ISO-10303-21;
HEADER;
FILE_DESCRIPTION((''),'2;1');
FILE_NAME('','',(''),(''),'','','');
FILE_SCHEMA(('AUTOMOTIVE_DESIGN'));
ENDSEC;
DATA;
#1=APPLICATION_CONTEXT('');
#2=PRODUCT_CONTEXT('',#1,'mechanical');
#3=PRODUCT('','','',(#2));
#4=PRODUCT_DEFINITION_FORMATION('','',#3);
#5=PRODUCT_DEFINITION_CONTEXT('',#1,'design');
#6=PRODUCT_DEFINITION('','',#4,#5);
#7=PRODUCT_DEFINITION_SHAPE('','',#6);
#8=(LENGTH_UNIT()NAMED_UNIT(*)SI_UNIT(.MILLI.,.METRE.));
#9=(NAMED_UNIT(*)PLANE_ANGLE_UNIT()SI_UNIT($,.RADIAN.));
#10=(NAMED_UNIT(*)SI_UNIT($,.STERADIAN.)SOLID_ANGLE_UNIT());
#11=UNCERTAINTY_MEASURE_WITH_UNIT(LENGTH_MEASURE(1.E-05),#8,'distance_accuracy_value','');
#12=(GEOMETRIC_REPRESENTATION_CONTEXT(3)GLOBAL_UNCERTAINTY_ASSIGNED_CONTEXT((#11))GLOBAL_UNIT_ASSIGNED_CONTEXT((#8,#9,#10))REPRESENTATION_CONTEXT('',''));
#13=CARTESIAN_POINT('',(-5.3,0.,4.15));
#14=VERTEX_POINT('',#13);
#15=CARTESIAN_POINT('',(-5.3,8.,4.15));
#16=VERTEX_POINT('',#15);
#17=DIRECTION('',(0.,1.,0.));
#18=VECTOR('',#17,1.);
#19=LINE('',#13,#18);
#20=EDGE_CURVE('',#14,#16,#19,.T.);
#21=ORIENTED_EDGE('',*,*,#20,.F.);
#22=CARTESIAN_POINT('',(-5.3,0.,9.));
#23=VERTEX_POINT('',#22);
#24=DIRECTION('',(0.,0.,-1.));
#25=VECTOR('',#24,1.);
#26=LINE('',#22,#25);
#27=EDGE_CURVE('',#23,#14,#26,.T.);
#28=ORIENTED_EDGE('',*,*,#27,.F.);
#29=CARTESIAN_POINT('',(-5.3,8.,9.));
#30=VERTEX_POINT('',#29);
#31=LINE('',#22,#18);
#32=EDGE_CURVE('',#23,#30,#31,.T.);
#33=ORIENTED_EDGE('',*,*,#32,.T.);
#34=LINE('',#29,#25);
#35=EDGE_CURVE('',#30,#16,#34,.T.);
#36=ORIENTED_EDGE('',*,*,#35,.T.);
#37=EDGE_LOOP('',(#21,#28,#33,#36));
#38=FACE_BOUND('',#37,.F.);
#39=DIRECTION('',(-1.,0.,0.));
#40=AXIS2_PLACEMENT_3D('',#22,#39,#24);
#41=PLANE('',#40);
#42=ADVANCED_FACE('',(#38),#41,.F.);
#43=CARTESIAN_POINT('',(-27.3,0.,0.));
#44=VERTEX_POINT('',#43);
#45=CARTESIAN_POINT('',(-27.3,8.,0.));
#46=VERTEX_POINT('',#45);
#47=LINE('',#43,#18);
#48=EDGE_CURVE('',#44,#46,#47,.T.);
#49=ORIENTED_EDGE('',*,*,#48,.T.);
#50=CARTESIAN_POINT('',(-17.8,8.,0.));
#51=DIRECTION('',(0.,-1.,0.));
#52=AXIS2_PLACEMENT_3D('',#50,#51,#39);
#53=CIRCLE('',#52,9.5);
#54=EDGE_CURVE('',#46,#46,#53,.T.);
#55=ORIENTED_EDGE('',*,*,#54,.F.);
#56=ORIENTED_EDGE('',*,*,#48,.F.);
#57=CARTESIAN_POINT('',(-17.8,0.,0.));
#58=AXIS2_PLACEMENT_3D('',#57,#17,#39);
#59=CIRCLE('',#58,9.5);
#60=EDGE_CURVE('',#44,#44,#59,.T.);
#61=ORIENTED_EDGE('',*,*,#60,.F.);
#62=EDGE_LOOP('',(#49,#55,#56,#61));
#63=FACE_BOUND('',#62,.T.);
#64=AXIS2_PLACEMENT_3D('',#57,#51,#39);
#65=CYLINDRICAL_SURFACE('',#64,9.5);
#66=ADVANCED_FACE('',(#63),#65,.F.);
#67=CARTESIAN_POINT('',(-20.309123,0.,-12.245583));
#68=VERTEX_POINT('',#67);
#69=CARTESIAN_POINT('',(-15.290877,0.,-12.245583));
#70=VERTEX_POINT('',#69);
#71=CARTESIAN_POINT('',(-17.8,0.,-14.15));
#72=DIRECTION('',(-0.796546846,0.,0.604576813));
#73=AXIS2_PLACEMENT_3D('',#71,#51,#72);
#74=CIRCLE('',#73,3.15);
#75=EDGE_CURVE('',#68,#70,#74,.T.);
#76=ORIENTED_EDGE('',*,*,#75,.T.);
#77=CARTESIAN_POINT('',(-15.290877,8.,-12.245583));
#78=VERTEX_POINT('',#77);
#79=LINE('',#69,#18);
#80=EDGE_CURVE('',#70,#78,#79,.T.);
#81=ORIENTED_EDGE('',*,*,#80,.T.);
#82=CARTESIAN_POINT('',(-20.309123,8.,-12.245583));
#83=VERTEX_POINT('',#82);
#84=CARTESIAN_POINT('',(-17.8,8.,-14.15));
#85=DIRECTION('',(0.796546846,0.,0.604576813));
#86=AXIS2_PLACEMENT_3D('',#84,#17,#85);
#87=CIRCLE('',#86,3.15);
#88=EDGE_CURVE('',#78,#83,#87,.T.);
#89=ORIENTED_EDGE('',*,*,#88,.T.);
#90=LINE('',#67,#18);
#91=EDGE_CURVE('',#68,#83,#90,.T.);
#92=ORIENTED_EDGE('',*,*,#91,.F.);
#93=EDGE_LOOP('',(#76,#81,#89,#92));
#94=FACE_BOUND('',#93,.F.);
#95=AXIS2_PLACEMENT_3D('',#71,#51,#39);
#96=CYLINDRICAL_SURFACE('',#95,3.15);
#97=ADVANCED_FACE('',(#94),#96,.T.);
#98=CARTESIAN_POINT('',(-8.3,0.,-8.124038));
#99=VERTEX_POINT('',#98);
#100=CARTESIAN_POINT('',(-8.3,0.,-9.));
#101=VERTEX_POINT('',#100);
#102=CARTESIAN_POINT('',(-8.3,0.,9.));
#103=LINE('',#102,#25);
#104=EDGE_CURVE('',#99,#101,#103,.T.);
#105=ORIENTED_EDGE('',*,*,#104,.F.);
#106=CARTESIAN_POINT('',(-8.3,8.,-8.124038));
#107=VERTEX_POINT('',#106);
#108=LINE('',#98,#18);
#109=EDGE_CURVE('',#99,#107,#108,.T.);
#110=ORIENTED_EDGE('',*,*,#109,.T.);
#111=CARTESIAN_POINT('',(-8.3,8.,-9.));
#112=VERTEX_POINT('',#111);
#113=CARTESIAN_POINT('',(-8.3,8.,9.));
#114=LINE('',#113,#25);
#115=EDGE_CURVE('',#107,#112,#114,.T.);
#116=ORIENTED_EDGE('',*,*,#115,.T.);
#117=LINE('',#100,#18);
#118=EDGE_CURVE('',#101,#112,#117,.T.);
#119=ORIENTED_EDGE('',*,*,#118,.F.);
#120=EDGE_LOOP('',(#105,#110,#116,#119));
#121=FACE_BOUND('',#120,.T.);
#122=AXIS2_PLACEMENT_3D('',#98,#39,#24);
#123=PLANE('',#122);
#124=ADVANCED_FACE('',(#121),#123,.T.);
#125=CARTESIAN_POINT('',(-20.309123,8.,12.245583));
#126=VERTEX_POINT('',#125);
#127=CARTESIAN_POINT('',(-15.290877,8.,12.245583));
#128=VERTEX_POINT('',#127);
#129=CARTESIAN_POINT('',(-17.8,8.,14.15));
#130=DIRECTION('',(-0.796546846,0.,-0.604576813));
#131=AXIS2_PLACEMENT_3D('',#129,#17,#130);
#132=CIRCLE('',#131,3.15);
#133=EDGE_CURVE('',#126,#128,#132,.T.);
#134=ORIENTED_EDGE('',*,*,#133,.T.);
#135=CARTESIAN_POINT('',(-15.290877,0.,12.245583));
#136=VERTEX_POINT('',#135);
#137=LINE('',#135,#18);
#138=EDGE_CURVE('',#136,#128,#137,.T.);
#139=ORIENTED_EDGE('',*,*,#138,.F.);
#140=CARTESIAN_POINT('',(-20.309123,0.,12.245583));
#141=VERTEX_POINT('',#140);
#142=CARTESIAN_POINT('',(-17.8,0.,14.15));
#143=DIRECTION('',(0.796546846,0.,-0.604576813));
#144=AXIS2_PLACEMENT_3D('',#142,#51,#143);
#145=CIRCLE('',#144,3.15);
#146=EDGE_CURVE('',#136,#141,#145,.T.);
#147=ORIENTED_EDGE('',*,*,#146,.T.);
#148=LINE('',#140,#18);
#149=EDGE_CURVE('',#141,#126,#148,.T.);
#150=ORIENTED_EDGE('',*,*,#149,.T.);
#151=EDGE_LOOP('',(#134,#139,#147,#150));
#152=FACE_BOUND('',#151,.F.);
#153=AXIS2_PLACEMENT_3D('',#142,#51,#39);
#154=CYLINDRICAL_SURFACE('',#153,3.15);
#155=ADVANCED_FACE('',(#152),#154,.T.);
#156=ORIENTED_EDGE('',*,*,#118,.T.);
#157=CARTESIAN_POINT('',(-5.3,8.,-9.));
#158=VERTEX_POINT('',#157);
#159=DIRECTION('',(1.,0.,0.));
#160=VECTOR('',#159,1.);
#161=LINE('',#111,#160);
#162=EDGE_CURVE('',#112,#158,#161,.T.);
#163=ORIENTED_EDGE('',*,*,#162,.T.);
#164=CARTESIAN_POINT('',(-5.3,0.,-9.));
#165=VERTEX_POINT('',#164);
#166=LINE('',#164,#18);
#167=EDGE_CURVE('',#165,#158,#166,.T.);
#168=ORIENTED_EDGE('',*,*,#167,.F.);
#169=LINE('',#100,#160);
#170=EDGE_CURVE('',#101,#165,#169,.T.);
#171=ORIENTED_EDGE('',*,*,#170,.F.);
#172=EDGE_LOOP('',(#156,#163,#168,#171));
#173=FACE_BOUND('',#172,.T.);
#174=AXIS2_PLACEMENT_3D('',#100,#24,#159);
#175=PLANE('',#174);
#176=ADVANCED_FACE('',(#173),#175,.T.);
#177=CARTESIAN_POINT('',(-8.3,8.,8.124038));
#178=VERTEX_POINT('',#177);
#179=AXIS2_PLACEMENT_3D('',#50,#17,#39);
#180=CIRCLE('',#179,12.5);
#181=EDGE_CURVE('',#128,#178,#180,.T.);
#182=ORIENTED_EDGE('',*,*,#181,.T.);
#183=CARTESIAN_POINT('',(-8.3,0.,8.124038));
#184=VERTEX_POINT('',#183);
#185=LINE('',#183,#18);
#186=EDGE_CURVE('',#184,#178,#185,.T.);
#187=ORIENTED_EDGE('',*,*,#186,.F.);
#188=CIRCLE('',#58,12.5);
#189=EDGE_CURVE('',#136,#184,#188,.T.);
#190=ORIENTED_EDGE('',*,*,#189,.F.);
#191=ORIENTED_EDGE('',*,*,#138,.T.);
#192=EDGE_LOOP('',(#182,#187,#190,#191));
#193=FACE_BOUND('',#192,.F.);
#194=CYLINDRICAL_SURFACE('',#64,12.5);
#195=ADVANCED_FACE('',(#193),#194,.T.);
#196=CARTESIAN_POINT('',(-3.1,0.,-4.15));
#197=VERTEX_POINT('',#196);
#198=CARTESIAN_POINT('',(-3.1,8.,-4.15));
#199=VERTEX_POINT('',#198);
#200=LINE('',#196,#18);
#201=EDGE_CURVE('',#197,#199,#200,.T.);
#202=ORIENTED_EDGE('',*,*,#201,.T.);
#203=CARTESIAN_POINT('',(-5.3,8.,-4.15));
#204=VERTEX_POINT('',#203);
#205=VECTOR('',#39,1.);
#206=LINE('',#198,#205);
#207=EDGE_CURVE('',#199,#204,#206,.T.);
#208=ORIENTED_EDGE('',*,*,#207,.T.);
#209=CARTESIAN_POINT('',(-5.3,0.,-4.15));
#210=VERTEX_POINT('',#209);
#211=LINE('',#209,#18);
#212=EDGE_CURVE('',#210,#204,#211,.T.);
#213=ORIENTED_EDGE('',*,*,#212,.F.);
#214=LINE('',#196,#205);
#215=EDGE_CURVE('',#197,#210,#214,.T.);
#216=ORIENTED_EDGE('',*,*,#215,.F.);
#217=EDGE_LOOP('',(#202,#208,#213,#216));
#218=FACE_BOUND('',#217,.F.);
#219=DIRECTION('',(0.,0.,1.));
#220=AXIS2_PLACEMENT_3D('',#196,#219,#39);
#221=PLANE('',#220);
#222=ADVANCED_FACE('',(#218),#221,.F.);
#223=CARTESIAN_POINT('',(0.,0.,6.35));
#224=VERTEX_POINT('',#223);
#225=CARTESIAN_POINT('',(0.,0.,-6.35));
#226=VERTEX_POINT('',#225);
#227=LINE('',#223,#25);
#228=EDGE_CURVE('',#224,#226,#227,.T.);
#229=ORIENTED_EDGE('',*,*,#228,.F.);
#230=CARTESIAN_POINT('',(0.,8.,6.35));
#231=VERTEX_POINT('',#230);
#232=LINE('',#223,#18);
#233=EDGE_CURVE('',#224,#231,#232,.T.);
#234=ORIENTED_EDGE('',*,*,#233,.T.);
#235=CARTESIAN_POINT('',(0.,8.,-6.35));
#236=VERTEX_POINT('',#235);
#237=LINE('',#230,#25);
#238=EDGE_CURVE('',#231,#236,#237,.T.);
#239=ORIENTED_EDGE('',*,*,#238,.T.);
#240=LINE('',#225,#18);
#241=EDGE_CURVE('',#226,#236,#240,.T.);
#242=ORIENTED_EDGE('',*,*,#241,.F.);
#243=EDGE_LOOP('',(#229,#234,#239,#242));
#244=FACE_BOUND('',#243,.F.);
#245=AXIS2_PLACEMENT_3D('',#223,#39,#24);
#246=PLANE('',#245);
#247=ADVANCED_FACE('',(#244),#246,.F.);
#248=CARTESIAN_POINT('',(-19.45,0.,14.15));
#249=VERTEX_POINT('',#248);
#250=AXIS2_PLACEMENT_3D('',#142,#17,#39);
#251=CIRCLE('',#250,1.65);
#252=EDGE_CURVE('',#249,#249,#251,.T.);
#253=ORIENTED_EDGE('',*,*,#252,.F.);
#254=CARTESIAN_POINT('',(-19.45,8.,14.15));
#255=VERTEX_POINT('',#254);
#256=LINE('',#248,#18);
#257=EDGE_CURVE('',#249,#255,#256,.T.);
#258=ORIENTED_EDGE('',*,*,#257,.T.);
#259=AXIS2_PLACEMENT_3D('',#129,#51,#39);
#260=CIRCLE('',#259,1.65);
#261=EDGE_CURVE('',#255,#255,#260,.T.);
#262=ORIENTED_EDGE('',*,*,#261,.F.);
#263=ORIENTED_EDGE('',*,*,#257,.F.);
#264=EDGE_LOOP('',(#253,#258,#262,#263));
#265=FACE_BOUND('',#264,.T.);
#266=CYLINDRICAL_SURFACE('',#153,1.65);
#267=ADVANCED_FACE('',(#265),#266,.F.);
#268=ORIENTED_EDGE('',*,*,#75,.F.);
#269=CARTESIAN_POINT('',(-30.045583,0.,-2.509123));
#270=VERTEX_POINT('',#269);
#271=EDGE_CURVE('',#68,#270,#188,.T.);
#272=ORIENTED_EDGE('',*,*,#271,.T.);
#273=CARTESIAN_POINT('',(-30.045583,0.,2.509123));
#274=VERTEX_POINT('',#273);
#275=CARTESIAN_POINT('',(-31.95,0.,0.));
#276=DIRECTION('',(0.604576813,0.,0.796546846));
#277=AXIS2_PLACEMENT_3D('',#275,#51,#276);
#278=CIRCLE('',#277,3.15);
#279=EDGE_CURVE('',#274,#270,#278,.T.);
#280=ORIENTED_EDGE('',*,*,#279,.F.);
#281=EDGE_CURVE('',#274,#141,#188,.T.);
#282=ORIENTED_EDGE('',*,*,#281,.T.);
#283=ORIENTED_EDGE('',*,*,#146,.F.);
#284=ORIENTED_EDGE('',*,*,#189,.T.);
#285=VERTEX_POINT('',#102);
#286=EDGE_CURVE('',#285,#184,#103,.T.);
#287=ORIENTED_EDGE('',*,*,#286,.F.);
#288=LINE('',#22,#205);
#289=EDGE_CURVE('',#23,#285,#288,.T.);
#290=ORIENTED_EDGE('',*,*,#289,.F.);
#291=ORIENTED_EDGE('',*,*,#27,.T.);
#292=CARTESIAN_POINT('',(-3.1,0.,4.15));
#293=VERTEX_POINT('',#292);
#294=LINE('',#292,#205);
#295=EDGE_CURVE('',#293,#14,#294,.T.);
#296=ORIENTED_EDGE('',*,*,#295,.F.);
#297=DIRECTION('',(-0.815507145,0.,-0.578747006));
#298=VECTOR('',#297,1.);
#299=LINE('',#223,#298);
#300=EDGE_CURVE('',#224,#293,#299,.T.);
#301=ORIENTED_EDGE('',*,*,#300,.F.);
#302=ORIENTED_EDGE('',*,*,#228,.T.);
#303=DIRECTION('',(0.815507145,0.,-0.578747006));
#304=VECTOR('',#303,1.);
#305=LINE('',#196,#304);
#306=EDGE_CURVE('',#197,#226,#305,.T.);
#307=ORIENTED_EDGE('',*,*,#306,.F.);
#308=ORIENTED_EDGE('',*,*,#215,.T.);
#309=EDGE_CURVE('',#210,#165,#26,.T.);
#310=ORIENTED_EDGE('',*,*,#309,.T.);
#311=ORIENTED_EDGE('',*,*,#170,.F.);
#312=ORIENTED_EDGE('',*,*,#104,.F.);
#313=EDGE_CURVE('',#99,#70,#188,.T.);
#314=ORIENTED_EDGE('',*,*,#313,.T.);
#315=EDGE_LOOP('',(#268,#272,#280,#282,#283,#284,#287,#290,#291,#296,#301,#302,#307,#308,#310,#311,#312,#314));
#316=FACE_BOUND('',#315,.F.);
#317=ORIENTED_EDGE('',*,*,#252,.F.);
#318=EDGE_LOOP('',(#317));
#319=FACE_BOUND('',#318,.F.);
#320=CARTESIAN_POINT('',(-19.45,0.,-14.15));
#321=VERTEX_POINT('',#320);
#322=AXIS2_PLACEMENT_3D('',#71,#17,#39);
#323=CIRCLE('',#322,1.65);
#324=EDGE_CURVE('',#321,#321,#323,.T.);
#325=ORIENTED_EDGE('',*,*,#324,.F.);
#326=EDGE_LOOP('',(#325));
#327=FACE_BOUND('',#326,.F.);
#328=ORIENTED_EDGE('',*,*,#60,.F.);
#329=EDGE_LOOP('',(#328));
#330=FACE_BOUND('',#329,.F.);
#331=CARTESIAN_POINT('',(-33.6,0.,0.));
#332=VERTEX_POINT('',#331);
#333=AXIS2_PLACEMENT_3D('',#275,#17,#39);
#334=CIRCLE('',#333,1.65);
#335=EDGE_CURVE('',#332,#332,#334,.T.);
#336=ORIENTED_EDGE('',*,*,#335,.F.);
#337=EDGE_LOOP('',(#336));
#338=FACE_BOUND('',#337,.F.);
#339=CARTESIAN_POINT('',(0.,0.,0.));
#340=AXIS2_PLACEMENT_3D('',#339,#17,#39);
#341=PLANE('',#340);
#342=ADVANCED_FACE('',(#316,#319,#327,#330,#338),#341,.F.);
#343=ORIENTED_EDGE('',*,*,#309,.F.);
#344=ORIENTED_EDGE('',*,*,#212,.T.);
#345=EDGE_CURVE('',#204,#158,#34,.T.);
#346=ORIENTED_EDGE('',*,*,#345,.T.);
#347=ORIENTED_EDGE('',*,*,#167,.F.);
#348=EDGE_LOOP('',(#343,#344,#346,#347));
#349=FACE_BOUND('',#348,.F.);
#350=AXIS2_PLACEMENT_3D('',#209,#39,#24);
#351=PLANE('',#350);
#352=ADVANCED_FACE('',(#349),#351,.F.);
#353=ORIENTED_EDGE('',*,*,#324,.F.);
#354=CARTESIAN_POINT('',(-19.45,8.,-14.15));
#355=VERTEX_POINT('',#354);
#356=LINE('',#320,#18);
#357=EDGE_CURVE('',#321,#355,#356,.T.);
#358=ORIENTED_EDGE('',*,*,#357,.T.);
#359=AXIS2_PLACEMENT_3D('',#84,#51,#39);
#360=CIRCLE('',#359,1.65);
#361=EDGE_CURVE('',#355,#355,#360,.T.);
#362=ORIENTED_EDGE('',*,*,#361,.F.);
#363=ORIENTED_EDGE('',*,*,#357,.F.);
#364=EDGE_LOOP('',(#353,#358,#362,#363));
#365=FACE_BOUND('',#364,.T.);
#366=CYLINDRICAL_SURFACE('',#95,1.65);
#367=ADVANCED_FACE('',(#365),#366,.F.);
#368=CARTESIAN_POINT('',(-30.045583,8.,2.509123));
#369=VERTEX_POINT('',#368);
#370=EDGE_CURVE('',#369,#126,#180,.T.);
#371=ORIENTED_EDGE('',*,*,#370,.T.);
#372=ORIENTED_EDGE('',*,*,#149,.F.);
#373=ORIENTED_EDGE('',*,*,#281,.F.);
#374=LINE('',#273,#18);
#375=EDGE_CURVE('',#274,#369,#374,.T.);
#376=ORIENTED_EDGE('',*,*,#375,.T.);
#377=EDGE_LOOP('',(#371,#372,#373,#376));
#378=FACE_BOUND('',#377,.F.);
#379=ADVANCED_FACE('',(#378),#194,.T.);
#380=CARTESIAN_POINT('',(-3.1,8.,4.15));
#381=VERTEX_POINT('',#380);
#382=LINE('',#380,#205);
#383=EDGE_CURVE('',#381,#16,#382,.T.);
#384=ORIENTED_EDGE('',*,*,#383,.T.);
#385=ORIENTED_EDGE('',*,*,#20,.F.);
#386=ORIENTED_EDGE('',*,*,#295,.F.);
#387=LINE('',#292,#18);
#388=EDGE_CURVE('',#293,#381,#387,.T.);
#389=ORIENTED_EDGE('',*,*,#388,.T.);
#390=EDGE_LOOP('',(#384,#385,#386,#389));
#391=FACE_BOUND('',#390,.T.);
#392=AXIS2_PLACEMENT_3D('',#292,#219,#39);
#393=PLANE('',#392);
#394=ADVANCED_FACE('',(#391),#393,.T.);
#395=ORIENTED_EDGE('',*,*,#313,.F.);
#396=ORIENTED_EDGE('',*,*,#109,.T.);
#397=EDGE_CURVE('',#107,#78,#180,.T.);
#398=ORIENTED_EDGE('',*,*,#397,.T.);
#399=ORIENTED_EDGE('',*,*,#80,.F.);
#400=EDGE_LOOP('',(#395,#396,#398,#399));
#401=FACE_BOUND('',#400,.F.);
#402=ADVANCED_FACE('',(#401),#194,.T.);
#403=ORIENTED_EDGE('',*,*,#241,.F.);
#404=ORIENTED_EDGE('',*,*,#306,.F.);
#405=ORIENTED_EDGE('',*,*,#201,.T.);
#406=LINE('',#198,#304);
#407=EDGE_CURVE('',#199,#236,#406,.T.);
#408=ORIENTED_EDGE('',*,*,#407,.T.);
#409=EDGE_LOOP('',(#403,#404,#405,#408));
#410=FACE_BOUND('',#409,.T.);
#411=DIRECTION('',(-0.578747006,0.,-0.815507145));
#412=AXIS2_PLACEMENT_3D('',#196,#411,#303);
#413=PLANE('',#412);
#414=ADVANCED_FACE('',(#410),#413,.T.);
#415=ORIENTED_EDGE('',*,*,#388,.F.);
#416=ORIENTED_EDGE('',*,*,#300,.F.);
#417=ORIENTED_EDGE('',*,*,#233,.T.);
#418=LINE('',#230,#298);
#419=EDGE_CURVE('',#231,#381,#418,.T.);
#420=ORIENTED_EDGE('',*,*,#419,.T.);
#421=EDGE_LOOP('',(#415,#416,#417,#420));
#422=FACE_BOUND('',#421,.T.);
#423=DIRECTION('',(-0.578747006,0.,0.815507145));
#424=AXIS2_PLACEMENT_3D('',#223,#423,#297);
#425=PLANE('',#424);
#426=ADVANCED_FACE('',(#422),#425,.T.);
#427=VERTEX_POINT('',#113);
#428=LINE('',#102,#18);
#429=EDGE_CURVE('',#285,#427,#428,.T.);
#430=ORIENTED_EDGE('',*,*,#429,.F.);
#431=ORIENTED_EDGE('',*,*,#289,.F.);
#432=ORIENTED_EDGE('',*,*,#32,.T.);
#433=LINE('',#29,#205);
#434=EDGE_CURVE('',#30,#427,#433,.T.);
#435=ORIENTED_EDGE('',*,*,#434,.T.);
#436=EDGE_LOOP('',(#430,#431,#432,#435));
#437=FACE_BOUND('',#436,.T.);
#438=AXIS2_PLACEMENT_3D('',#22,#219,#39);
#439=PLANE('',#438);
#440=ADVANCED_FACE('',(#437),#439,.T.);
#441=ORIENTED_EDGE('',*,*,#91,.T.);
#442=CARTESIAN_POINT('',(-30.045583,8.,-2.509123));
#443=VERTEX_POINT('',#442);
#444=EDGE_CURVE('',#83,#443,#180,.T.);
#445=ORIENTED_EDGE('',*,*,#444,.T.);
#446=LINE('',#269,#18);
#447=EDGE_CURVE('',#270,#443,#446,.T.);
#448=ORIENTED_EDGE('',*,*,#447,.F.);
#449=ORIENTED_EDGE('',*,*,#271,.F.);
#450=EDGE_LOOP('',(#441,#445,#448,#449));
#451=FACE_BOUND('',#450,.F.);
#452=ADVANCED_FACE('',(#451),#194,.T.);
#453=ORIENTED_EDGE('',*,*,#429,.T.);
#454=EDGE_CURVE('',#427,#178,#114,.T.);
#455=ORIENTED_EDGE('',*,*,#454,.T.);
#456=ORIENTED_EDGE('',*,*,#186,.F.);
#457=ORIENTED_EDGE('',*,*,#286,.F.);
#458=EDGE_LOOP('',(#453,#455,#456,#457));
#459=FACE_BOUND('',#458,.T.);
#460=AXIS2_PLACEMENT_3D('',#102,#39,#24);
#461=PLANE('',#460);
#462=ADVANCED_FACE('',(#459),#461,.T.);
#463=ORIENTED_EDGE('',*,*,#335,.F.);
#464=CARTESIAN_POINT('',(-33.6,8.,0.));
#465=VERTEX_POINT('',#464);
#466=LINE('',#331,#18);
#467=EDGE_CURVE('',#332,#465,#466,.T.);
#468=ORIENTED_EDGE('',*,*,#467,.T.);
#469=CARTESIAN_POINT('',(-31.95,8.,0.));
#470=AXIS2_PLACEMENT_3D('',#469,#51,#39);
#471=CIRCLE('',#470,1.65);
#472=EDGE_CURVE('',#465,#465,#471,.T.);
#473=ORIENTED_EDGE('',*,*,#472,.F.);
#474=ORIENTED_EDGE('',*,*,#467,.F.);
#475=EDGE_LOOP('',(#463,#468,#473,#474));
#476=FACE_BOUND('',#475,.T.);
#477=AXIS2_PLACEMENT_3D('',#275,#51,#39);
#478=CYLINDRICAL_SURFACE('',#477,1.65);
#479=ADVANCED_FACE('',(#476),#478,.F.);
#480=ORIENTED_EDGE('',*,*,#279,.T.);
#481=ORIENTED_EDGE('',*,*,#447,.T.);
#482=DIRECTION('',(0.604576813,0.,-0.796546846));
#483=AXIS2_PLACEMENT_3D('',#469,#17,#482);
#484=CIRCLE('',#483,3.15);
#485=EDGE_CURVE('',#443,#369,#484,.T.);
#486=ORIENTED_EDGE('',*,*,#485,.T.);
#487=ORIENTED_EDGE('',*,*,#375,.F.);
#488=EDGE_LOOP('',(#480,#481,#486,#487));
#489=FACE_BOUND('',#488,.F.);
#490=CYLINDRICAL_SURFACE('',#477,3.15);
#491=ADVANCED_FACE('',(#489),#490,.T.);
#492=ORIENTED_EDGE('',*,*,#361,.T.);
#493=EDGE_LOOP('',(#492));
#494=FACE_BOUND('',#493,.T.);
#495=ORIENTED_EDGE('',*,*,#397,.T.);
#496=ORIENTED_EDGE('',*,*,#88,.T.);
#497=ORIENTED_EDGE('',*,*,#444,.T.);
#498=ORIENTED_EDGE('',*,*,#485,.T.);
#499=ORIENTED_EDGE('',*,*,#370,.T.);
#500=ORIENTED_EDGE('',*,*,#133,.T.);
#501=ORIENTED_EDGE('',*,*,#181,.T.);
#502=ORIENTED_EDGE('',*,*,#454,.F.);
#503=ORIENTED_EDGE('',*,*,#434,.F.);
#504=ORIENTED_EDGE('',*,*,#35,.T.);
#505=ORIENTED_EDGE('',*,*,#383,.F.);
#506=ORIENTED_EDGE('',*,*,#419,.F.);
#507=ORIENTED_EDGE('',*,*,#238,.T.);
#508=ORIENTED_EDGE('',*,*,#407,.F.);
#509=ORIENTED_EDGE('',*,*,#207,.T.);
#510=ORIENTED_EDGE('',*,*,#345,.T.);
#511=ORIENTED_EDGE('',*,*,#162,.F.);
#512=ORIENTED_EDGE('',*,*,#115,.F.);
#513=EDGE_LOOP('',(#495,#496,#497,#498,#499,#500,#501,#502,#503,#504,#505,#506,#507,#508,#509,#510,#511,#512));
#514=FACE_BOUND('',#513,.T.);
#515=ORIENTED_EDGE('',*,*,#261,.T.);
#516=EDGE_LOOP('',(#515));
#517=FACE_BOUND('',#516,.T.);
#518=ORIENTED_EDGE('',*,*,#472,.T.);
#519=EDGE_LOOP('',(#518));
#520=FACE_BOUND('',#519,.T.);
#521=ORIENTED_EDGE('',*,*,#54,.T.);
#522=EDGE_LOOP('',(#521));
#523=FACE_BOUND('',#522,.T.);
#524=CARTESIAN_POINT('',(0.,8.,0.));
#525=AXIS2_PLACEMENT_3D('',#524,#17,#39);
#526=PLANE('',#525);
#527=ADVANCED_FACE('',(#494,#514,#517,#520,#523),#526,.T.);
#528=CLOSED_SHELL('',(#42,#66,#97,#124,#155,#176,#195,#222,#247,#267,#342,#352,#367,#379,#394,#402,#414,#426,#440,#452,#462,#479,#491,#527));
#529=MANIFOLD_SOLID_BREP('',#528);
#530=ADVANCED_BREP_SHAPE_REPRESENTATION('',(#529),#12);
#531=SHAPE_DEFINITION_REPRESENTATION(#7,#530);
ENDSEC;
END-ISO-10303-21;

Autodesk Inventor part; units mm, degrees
ref_plane "YZ Plane" through (0, 0, 0) normal (1, 0, 0) x (0, 1, 0)
ref_plane "XZ Plane" through (0, 0, 0) normal (0, 1, 0) x (-1, 0, 0)
ref_plane "XY Plane" through (0, 0, 0) normal (0, 0, 1) x (1, 0, 0)
sketch "Boceto1" plane through (0, 0, 0) normal (0, 1, 0) x (-1, 0, 0)
  line L0 (0, 6.35) -> (0, -6.35)
  line L1 (3.1, 4.15) -> (3.1, -4.15)
  line L2 (0, 6.35) -> (3.1, 4.15)
  line L3 (3.1, -4.15) -> (0, -6.35)
  line L4 (3.1, 4.15) -> (5.3, 4.15)
  line L5 (-4.6452, 0) -> (17.8, 0) construction
  line L6 (3.1, -4.15) -> (5.3, -4.15)
  line L7 (5.3, 9) -> (5.3, -9)
  line L8 (5.3, 9) -> (8.3, 9)
  line L9 (8.3, 9) -> (8.3, -9)
  line L10 (8.3, -9) -> (5.3, -9)
  line L11 (5.3, -9) -> (5.3, 9)
  circle A0 centre (17.8, 0) radius 9.5
  circle A1 centre (17.8, 0) radius 12.5
  circle A2 centre (31.95, 0) radius 1.65
  circle A3 centre (31.95, 0) radius 3.15
  circle A4 centre (17.8, 14.15) radius 3.15
  circle A5 centre (17.8, 14.15) radius 1.65
  circle A6 centre (17.8, -14.15) radius 3.15
  circle A7 centre (17.8, -14.15) radius 1.65
  point P0 (0, 0)
  point P1 (0, 0)
  point P2 (3.1, 0)
  point P3 (5.3, 0)
  point P4 (5.3, 0)
  point P5 (30.3, 0)
  point P6 (17.8, -12.5)
  point P7 (17.8, 12.5)
  point P8 (30.0456, 2.5091)
  point P9 (20.3091, 12.2456)
  point P10 (15.2909, 12.2456)
  point P11 (8.3, 8.124)
  point P12 (8.3, -8.124)
  point P13 (15.2909, -12.2456)
  point P14 (20.3091, -12.2456)
  point P15 (30.0456, -2.5091)
  dimension "d0" = 12.7
  dimension "d1" = 8.3
  dimension "d2" = 3.1
  dimension "d3" = 2.2
  dimension "d4" = 18
  dimension "d5" = 3
  dimension "d6" = 19
  dimension "d7" = 25
  dimension "d8" = 3.3
  dimension "d9" = 6.3
  dimension "d12" = 90
  dimension "d16" = 90
extrude "Extrusión1" add sketch "Boceto1" along normal blind 8
properties part number "acople_v2_3DPrint"
